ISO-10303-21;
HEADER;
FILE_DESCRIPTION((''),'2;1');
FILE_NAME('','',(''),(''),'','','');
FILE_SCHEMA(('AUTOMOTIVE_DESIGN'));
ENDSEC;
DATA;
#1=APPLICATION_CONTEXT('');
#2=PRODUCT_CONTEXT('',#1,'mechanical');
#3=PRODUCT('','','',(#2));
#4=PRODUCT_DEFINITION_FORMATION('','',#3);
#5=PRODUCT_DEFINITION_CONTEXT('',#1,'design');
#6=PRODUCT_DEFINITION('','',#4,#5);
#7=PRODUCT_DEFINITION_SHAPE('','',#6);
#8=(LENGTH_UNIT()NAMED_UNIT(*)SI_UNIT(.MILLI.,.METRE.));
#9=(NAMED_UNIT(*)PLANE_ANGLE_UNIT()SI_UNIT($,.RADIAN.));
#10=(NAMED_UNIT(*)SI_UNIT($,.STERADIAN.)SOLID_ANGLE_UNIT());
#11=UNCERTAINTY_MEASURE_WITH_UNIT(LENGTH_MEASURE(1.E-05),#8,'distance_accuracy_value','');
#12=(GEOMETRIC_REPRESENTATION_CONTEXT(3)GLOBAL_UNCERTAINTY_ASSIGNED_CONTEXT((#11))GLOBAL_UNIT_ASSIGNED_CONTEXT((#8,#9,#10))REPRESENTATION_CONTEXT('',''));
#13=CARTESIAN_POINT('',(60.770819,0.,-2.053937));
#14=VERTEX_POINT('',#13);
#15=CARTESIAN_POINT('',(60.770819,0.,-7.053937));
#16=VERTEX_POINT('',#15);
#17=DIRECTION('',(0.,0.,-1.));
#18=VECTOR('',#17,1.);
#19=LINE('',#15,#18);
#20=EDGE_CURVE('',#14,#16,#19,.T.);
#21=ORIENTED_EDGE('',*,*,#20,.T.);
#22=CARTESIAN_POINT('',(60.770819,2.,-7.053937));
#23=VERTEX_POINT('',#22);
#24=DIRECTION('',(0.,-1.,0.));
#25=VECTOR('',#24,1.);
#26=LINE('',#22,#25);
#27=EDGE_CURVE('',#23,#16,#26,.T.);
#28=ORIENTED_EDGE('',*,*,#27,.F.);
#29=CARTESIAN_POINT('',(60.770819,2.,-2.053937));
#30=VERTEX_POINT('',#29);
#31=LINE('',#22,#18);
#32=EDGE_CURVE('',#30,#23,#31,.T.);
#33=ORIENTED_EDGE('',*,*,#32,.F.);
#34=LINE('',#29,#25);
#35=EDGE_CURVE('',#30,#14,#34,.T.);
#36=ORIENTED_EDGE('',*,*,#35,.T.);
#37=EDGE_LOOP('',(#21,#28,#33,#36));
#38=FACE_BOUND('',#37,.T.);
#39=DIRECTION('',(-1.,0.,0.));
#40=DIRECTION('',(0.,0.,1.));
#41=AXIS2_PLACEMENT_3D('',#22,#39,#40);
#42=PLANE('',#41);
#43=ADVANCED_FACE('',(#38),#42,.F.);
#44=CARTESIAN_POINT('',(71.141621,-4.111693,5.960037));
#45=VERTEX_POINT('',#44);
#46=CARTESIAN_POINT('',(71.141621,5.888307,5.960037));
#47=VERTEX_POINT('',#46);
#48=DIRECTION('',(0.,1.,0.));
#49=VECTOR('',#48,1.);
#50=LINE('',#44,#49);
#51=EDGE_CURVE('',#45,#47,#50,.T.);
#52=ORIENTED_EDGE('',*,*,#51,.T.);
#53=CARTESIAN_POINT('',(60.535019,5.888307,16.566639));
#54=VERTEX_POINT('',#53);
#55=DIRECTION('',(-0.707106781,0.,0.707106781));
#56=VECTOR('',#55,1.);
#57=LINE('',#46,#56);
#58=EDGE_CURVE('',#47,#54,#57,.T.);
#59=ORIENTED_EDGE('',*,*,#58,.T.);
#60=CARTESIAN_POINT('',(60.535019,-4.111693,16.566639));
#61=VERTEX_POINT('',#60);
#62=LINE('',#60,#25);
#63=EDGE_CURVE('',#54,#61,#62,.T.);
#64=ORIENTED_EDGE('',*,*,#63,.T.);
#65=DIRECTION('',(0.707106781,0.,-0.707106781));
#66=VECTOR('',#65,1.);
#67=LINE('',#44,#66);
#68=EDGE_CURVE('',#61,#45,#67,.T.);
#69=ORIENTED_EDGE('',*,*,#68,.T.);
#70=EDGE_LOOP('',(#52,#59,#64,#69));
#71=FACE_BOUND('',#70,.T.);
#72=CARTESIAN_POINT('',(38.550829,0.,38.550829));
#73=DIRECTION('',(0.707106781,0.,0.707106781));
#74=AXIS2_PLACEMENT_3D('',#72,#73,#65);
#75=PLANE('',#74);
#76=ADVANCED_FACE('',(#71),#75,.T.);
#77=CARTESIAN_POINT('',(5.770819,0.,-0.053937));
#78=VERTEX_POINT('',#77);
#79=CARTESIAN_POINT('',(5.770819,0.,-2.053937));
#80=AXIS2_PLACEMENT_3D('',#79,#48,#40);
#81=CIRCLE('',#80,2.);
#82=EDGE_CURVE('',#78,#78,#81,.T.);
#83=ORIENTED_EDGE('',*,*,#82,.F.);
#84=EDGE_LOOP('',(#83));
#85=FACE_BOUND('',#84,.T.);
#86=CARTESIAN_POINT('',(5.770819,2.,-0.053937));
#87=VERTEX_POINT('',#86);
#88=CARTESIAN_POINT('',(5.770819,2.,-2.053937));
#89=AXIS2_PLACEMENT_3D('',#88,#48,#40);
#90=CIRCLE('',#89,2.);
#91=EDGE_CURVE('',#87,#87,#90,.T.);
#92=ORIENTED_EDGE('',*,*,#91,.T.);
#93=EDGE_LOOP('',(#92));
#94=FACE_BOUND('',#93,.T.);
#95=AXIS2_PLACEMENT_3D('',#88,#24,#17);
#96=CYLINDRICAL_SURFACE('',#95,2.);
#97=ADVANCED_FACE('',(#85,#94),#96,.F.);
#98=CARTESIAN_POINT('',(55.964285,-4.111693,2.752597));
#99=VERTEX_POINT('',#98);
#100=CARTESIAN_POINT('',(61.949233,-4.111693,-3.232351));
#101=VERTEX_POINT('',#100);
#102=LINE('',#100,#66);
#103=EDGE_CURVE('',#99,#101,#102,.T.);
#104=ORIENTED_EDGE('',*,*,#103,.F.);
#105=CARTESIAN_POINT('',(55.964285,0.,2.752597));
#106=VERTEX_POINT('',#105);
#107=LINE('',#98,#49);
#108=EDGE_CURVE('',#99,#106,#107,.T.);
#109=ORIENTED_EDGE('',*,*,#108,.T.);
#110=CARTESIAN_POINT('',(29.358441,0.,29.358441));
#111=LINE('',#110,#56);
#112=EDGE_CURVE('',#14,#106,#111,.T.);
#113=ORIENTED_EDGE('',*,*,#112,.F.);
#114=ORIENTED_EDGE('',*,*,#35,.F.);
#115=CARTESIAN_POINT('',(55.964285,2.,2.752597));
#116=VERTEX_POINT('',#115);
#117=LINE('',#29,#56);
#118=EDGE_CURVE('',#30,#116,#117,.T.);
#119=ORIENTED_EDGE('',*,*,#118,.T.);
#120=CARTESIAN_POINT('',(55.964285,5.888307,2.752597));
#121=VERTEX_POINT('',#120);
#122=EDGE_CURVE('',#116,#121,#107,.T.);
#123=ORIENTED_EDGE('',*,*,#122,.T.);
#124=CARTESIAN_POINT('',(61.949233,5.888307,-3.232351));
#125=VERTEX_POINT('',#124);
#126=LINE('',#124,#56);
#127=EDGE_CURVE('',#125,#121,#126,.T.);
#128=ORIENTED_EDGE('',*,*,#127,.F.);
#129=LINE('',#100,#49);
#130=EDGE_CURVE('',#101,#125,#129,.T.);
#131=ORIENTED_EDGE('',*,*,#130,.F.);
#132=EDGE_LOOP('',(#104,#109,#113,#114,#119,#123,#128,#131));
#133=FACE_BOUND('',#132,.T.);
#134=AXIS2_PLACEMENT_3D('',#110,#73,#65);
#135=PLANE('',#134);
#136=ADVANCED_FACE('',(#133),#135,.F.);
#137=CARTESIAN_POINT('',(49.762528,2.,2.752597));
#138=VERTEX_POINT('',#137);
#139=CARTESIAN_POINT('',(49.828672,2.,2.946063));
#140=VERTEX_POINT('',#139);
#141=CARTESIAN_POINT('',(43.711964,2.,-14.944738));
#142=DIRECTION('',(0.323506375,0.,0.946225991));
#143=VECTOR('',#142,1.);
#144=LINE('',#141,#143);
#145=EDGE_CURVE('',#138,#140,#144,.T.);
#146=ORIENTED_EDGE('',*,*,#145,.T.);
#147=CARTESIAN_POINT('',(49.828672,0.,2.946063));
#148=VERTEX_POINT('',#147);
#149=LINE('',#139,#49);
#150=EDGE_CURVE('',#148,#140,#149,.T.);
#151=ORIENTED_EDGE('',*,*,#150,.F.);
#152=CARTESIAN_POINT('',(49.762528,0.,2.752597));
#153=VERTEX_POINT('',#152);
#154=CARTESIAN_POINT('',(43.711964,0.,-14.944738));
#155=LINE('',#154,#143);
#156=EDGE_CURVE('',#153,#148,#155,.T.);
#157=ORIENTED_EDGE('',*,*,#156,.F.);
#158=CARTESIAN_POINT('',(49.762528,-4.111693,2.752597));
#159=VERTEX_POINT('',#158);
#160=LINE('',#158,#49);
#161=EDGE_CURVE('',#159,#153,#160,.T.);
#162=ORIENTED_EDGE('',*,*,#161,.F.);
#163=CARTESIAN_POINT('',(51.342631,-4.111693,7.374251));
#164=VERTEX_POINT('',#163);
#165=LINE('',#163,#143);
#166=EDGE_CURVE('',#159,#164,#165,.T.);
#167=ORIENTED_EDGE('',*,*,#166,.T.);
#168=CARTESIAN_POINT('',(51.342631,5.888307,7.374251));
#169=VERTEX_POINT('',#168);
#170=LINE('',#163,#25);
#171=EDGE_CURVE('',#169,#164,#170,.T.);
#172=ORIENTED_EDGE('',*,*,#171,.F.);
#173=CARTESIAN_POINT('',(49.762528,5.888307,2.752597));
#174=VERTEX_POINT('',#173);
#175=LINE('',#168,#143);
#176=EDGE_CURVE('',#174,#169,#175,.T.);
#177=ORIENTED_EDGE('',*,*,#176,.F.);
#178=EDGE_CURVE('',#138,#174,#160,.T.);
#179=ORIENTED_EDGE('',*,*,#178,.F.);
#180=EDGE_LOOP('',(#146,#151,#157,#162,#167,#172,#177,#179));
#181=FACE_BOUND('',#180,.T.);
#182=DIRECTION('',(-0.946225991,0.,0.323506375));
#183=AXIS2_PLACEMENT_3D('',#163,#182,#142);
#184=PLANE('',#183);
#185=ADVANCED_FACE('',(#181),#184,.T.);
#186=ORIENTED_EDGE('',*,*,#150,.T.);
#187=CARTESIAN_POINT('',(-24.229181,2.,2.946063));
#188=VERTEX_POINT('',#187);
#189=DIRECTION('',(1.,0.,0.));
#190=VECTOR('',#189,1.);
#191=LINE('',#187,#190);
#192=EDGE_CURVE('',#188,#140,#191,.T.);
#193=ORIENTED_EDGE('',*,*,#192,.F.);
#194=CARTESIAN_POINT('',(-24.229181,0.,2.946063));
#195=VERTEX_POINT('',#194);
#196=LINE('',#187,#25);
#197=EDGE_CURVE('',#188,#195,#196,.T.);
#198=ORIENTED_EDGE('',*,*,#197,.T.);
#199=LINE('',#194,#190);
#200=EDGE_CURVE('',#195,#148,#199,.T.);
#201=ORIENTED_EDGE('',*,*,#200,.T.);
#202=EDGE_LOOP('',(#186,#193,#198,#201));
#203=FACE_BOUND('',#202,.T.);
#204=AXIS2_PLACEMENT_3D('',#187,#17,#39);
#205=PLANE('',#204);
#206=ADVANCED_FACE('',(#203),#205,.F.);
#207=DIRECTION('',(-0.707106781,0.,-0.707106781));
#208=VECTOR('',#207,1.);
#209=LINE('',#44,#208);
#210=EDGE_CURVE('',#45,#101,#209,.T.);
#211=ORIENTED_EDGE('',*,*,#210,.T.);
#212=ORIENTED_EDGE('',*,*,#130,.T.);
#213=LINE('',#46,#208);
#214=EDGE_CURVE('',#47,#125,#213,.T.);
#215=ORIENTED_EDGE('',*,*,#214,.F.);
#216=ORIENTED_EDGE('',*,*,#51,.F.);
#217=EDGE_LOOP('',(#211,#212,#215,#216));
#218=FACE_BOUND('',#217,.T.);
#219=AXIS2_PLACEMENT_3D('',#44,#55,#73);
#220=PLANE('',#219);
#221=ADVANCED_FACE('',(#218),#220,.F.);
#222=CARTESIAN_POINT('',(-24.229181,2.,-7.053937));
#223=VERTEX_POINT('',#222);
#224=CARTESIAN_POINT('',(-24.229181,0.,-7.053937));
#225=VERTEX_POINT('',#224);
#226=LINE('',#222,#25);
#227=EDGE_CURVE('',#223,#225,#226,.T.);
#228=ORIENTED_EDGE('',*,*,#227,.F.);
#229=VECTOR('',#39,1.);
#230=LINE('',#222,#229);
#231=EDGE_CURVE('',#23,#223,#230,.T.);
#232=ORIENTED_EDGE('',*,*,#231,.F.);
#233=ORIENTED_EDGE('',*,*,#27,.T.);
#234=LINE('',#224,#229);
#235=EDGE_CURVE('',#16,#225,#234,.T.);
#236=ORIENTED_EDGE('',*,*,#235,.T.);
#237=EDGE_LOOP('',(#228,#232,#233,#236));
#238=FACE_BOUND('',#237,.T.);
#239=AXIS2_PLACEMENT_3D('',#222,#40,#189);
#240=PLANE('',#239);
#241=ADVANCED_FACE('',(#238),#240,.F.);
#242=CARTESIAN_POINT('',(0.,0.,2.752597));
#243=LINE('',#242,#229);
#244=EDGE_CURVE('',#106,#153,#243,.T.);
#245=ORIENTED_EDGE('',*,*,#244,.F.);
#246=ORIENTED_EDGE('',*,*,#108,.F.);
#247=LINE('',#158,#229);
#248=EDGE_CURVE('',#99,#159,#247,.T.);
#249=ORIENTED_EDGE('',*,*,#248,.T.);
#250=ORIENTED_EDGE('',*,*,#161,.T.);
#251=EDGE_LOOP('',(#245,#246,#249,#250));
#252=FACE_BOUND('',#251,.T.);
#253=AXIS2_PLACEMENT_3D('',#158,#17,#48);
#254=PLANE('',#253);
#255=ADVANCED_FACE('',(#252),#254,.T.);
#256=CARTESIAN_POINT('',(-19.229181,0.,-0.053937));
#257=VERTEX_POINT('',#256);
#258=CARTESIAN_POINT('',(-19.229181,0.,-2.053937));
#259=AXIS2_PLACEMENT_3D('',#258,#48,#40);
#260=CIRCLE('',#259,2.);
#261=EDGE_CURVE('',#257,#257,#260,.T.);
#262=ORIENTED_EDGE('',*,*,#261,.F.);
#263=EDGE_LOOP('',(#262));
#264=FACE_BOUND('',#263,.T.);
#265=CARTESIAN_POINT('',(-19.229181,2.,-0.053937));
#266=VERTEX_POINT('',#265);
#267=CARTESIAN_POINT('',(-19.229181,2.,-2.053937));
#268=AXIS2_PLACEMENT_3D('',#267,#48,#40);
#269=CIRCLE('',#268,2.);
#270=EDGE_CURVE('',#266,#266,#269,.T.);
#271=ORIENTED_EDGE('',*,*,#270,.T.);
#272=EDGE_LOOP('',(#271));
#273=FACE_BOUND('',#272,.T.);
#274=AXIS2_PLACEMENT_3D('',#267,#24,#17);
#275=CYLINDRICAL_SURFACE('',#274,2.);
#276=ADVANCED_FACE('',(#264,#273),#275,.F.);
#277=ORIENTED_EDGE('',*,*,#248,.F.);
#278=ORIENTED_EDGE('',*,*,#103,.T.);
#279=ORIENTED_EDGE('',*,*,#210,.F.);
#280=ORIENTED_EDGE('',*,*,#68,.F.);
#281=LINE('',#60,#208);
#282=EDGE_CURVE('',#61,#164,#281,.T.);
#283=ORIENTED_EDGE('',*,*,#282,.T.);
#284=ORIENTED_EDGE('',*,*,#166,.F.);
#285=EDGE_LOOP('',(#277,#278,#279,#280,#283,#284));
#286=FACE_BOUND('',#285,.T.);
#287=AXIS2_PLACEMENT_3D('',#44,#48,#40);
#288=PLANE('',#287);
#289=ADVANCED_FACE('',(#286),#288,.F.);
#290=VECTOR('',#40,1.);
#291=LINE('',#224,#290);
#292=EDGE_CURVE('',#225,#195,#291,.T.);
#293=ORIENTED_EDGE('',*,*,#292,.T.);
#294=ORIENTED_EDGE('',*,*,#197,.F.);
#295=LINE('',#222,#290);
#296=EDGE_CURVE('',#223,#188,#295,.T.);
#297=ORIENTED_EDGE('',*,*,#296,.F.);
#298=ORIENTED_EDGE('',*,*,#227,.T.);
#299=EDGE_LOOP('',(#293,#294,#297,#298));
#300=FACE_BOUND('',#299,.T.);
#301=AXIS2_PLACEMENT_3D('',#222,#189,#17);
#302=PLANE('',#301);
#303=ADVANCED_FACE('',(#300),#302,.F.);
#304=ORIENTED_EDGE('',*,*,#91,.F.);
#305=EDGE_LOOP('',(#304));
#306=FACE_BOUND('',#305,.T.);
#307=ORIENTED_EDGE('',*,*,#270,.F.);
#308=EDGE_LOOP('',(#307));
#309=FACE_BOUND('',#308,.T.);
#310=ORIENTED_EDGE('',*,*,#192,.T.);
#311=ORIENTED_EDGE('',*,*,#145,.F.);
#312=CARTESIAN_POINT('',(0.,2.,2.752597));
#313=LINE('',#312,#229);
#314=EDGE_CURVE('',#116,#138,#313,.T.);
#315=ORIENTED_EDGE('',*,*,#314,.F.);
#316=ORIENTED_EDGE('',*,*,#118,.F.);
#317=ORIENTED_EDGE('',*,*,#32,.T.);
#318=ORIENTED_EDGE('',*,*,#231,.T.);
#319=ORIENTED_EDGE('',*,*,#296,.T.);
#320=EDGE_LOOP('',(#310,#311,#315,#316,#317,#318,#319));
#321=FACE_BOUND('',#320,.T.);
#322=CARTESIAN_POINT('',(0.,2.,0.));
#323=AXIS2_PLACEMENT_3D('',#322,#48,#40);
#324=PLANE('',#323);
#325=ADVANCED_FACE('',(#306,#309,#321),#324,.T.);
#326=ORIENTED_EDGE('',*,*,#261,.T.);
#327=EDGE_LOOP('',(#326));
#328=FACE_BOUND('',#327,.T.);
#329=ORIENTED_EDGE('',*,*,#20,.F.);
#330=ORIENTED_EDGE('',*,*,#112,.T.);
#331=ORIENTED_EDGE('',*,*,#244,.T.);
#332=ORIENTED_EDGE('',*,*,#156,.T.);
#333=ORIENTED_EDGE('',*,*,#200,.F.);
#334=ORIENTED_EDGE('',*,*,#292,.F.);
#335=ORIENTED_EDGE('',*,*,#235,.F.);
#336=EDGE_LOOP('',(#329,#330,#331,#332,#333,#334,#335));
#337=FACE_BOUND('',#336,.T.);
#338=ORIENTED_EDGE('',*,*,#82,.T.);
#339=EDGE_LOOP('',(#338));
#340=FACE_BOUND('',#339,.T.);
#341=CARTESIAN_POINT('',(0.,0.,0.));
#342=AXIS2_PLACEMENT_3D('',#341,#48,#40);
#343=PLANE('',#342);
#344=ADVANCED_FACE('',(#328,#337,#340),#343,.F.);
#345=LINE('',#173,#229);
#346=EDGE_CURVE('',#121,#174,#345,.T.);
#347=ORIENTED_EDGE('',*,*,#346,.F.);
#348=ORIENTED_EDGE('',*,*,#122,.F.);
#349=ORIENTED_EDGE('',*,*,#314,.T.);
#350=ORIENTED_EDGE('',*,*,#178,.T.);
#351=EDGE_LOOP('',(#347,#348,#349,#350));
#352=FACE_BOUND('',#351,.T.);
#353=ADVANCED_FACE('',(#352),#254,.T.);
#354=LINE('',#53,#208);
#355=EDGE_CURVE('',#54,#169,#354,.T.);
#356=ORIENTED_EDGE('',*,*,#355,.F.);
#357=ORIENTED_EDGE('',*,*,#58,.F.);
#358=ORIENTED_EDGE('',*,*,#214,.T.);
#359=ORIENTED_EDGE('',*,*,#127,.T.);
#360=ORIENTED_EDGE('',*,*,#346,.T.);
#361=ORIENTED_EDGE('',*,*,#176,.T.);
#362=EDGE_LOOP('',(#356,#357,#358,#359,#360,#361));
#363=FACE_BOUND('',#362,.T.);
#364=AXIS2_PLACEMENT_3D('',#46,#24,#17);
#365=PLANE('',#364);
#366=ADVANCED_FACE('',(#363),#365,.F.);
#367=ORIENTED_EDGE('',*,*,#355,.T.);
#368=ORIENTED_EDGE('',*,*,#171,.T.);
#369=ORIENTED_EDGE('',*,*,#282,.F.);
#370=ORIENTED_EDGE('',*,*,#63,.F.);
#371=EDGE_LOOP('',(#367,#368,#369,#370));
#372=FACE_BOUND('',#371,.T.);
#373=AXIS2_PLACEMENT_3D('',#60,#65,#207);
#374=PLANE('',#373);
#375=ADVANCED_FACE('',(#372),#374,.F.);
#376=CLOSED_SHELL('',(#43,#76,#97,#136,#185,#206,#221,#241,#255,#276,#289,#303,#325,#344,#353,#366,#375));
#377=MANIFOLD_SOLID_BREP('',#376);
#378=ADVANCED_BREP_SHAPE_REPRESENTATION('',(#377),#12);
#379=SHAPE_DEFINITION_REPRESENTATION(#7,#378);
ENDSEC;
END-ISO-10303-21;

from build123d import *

# Parameters (mm, degrees)
SKETCH1_W           = 85
SKETCH1_H           = 10
SKETCH1_R           = 2
BOSS_EXTRUDE1_DEPTH = 2
CUT_EXTRUDE1_DEPTH  = 10
SKETCH3_W           = 15
SKETCH3_H           = 10
BOSS_EXTRUDE2_DEPTH = 13
BOSS_EXTRUDE3_DEPTH = 10


with BuildPart() as part:
    # Sketch1 → Boss-Extrude1 (new body)
    with BuildSketch(Plane(origin=(0, 0, 0), x_dir=(1, 0, 0), z_dir=(0, 1, 0))):
        with Locations((18.270818553, 2.053936679)):
            Rectangle(SKETCH1_W, SKETCH1_H)
        with Locations(Location((-19.229181447, 2.053936679, 0), (0, 0, 270))):
            Circle(SKETCH1_R, mode=Mode.SUBTRACT)
        with Locations(Location((5.770818553, 2.053936679, 0), (0, 0, 270))):
            Circle(SKETCH1_R, mode=Mode.SUBTRACT)
    extrude(amount=BOSS_EXTRUDE1_DEPTH)

    # Sketch2 → Cut-Extrude1 (cut)
    with BuildSketch(Plane(origin=(0, 2, 0), x_dir=(1, 0, 0), z_dir=(0, 1, 0))):
        Polygon((60.770818553, 2.053936679), (55.770818553, -2.946063321), (60.770818553, -2.946063321), align=None)
    extrude(amount=-CUT_EXTRUDE1_DEPTH, mode=Mode.SUBTRACT)

    # Sketch3 → Boss-Extrude2 (add)
    with BuildSketch(Plane(origin=(29.358440937, 0, 29.358440937), x_dir=(0.7071067811865439, 0, -0.7071067811865511), z_dir=(0.7071067811865511, 0, 0.7071067811865439))):
        with Locations((38.590339713, 0.888307249)):
            Rectangle(SKETCH3_W, SKETCH3_H)
    extrude(amount=BOSS_EXTRUDE2_DEPTH)

    # Sketch4 → Boss-Extrude3 (add)
    with BuildSketch(Plane(origin=(0, 5.888307249, 0), x_dir=(1, 0, 0), z_dir=(0, 1, 0))):
        Polygon((51.342630977, -7.374250897), (49.762527896, -2.752596668), (55.964285206, -2.752596668), align=None)
    extrude(amount=-BOSS_EXTRUDE3_DEPTH)


solid = part.part
